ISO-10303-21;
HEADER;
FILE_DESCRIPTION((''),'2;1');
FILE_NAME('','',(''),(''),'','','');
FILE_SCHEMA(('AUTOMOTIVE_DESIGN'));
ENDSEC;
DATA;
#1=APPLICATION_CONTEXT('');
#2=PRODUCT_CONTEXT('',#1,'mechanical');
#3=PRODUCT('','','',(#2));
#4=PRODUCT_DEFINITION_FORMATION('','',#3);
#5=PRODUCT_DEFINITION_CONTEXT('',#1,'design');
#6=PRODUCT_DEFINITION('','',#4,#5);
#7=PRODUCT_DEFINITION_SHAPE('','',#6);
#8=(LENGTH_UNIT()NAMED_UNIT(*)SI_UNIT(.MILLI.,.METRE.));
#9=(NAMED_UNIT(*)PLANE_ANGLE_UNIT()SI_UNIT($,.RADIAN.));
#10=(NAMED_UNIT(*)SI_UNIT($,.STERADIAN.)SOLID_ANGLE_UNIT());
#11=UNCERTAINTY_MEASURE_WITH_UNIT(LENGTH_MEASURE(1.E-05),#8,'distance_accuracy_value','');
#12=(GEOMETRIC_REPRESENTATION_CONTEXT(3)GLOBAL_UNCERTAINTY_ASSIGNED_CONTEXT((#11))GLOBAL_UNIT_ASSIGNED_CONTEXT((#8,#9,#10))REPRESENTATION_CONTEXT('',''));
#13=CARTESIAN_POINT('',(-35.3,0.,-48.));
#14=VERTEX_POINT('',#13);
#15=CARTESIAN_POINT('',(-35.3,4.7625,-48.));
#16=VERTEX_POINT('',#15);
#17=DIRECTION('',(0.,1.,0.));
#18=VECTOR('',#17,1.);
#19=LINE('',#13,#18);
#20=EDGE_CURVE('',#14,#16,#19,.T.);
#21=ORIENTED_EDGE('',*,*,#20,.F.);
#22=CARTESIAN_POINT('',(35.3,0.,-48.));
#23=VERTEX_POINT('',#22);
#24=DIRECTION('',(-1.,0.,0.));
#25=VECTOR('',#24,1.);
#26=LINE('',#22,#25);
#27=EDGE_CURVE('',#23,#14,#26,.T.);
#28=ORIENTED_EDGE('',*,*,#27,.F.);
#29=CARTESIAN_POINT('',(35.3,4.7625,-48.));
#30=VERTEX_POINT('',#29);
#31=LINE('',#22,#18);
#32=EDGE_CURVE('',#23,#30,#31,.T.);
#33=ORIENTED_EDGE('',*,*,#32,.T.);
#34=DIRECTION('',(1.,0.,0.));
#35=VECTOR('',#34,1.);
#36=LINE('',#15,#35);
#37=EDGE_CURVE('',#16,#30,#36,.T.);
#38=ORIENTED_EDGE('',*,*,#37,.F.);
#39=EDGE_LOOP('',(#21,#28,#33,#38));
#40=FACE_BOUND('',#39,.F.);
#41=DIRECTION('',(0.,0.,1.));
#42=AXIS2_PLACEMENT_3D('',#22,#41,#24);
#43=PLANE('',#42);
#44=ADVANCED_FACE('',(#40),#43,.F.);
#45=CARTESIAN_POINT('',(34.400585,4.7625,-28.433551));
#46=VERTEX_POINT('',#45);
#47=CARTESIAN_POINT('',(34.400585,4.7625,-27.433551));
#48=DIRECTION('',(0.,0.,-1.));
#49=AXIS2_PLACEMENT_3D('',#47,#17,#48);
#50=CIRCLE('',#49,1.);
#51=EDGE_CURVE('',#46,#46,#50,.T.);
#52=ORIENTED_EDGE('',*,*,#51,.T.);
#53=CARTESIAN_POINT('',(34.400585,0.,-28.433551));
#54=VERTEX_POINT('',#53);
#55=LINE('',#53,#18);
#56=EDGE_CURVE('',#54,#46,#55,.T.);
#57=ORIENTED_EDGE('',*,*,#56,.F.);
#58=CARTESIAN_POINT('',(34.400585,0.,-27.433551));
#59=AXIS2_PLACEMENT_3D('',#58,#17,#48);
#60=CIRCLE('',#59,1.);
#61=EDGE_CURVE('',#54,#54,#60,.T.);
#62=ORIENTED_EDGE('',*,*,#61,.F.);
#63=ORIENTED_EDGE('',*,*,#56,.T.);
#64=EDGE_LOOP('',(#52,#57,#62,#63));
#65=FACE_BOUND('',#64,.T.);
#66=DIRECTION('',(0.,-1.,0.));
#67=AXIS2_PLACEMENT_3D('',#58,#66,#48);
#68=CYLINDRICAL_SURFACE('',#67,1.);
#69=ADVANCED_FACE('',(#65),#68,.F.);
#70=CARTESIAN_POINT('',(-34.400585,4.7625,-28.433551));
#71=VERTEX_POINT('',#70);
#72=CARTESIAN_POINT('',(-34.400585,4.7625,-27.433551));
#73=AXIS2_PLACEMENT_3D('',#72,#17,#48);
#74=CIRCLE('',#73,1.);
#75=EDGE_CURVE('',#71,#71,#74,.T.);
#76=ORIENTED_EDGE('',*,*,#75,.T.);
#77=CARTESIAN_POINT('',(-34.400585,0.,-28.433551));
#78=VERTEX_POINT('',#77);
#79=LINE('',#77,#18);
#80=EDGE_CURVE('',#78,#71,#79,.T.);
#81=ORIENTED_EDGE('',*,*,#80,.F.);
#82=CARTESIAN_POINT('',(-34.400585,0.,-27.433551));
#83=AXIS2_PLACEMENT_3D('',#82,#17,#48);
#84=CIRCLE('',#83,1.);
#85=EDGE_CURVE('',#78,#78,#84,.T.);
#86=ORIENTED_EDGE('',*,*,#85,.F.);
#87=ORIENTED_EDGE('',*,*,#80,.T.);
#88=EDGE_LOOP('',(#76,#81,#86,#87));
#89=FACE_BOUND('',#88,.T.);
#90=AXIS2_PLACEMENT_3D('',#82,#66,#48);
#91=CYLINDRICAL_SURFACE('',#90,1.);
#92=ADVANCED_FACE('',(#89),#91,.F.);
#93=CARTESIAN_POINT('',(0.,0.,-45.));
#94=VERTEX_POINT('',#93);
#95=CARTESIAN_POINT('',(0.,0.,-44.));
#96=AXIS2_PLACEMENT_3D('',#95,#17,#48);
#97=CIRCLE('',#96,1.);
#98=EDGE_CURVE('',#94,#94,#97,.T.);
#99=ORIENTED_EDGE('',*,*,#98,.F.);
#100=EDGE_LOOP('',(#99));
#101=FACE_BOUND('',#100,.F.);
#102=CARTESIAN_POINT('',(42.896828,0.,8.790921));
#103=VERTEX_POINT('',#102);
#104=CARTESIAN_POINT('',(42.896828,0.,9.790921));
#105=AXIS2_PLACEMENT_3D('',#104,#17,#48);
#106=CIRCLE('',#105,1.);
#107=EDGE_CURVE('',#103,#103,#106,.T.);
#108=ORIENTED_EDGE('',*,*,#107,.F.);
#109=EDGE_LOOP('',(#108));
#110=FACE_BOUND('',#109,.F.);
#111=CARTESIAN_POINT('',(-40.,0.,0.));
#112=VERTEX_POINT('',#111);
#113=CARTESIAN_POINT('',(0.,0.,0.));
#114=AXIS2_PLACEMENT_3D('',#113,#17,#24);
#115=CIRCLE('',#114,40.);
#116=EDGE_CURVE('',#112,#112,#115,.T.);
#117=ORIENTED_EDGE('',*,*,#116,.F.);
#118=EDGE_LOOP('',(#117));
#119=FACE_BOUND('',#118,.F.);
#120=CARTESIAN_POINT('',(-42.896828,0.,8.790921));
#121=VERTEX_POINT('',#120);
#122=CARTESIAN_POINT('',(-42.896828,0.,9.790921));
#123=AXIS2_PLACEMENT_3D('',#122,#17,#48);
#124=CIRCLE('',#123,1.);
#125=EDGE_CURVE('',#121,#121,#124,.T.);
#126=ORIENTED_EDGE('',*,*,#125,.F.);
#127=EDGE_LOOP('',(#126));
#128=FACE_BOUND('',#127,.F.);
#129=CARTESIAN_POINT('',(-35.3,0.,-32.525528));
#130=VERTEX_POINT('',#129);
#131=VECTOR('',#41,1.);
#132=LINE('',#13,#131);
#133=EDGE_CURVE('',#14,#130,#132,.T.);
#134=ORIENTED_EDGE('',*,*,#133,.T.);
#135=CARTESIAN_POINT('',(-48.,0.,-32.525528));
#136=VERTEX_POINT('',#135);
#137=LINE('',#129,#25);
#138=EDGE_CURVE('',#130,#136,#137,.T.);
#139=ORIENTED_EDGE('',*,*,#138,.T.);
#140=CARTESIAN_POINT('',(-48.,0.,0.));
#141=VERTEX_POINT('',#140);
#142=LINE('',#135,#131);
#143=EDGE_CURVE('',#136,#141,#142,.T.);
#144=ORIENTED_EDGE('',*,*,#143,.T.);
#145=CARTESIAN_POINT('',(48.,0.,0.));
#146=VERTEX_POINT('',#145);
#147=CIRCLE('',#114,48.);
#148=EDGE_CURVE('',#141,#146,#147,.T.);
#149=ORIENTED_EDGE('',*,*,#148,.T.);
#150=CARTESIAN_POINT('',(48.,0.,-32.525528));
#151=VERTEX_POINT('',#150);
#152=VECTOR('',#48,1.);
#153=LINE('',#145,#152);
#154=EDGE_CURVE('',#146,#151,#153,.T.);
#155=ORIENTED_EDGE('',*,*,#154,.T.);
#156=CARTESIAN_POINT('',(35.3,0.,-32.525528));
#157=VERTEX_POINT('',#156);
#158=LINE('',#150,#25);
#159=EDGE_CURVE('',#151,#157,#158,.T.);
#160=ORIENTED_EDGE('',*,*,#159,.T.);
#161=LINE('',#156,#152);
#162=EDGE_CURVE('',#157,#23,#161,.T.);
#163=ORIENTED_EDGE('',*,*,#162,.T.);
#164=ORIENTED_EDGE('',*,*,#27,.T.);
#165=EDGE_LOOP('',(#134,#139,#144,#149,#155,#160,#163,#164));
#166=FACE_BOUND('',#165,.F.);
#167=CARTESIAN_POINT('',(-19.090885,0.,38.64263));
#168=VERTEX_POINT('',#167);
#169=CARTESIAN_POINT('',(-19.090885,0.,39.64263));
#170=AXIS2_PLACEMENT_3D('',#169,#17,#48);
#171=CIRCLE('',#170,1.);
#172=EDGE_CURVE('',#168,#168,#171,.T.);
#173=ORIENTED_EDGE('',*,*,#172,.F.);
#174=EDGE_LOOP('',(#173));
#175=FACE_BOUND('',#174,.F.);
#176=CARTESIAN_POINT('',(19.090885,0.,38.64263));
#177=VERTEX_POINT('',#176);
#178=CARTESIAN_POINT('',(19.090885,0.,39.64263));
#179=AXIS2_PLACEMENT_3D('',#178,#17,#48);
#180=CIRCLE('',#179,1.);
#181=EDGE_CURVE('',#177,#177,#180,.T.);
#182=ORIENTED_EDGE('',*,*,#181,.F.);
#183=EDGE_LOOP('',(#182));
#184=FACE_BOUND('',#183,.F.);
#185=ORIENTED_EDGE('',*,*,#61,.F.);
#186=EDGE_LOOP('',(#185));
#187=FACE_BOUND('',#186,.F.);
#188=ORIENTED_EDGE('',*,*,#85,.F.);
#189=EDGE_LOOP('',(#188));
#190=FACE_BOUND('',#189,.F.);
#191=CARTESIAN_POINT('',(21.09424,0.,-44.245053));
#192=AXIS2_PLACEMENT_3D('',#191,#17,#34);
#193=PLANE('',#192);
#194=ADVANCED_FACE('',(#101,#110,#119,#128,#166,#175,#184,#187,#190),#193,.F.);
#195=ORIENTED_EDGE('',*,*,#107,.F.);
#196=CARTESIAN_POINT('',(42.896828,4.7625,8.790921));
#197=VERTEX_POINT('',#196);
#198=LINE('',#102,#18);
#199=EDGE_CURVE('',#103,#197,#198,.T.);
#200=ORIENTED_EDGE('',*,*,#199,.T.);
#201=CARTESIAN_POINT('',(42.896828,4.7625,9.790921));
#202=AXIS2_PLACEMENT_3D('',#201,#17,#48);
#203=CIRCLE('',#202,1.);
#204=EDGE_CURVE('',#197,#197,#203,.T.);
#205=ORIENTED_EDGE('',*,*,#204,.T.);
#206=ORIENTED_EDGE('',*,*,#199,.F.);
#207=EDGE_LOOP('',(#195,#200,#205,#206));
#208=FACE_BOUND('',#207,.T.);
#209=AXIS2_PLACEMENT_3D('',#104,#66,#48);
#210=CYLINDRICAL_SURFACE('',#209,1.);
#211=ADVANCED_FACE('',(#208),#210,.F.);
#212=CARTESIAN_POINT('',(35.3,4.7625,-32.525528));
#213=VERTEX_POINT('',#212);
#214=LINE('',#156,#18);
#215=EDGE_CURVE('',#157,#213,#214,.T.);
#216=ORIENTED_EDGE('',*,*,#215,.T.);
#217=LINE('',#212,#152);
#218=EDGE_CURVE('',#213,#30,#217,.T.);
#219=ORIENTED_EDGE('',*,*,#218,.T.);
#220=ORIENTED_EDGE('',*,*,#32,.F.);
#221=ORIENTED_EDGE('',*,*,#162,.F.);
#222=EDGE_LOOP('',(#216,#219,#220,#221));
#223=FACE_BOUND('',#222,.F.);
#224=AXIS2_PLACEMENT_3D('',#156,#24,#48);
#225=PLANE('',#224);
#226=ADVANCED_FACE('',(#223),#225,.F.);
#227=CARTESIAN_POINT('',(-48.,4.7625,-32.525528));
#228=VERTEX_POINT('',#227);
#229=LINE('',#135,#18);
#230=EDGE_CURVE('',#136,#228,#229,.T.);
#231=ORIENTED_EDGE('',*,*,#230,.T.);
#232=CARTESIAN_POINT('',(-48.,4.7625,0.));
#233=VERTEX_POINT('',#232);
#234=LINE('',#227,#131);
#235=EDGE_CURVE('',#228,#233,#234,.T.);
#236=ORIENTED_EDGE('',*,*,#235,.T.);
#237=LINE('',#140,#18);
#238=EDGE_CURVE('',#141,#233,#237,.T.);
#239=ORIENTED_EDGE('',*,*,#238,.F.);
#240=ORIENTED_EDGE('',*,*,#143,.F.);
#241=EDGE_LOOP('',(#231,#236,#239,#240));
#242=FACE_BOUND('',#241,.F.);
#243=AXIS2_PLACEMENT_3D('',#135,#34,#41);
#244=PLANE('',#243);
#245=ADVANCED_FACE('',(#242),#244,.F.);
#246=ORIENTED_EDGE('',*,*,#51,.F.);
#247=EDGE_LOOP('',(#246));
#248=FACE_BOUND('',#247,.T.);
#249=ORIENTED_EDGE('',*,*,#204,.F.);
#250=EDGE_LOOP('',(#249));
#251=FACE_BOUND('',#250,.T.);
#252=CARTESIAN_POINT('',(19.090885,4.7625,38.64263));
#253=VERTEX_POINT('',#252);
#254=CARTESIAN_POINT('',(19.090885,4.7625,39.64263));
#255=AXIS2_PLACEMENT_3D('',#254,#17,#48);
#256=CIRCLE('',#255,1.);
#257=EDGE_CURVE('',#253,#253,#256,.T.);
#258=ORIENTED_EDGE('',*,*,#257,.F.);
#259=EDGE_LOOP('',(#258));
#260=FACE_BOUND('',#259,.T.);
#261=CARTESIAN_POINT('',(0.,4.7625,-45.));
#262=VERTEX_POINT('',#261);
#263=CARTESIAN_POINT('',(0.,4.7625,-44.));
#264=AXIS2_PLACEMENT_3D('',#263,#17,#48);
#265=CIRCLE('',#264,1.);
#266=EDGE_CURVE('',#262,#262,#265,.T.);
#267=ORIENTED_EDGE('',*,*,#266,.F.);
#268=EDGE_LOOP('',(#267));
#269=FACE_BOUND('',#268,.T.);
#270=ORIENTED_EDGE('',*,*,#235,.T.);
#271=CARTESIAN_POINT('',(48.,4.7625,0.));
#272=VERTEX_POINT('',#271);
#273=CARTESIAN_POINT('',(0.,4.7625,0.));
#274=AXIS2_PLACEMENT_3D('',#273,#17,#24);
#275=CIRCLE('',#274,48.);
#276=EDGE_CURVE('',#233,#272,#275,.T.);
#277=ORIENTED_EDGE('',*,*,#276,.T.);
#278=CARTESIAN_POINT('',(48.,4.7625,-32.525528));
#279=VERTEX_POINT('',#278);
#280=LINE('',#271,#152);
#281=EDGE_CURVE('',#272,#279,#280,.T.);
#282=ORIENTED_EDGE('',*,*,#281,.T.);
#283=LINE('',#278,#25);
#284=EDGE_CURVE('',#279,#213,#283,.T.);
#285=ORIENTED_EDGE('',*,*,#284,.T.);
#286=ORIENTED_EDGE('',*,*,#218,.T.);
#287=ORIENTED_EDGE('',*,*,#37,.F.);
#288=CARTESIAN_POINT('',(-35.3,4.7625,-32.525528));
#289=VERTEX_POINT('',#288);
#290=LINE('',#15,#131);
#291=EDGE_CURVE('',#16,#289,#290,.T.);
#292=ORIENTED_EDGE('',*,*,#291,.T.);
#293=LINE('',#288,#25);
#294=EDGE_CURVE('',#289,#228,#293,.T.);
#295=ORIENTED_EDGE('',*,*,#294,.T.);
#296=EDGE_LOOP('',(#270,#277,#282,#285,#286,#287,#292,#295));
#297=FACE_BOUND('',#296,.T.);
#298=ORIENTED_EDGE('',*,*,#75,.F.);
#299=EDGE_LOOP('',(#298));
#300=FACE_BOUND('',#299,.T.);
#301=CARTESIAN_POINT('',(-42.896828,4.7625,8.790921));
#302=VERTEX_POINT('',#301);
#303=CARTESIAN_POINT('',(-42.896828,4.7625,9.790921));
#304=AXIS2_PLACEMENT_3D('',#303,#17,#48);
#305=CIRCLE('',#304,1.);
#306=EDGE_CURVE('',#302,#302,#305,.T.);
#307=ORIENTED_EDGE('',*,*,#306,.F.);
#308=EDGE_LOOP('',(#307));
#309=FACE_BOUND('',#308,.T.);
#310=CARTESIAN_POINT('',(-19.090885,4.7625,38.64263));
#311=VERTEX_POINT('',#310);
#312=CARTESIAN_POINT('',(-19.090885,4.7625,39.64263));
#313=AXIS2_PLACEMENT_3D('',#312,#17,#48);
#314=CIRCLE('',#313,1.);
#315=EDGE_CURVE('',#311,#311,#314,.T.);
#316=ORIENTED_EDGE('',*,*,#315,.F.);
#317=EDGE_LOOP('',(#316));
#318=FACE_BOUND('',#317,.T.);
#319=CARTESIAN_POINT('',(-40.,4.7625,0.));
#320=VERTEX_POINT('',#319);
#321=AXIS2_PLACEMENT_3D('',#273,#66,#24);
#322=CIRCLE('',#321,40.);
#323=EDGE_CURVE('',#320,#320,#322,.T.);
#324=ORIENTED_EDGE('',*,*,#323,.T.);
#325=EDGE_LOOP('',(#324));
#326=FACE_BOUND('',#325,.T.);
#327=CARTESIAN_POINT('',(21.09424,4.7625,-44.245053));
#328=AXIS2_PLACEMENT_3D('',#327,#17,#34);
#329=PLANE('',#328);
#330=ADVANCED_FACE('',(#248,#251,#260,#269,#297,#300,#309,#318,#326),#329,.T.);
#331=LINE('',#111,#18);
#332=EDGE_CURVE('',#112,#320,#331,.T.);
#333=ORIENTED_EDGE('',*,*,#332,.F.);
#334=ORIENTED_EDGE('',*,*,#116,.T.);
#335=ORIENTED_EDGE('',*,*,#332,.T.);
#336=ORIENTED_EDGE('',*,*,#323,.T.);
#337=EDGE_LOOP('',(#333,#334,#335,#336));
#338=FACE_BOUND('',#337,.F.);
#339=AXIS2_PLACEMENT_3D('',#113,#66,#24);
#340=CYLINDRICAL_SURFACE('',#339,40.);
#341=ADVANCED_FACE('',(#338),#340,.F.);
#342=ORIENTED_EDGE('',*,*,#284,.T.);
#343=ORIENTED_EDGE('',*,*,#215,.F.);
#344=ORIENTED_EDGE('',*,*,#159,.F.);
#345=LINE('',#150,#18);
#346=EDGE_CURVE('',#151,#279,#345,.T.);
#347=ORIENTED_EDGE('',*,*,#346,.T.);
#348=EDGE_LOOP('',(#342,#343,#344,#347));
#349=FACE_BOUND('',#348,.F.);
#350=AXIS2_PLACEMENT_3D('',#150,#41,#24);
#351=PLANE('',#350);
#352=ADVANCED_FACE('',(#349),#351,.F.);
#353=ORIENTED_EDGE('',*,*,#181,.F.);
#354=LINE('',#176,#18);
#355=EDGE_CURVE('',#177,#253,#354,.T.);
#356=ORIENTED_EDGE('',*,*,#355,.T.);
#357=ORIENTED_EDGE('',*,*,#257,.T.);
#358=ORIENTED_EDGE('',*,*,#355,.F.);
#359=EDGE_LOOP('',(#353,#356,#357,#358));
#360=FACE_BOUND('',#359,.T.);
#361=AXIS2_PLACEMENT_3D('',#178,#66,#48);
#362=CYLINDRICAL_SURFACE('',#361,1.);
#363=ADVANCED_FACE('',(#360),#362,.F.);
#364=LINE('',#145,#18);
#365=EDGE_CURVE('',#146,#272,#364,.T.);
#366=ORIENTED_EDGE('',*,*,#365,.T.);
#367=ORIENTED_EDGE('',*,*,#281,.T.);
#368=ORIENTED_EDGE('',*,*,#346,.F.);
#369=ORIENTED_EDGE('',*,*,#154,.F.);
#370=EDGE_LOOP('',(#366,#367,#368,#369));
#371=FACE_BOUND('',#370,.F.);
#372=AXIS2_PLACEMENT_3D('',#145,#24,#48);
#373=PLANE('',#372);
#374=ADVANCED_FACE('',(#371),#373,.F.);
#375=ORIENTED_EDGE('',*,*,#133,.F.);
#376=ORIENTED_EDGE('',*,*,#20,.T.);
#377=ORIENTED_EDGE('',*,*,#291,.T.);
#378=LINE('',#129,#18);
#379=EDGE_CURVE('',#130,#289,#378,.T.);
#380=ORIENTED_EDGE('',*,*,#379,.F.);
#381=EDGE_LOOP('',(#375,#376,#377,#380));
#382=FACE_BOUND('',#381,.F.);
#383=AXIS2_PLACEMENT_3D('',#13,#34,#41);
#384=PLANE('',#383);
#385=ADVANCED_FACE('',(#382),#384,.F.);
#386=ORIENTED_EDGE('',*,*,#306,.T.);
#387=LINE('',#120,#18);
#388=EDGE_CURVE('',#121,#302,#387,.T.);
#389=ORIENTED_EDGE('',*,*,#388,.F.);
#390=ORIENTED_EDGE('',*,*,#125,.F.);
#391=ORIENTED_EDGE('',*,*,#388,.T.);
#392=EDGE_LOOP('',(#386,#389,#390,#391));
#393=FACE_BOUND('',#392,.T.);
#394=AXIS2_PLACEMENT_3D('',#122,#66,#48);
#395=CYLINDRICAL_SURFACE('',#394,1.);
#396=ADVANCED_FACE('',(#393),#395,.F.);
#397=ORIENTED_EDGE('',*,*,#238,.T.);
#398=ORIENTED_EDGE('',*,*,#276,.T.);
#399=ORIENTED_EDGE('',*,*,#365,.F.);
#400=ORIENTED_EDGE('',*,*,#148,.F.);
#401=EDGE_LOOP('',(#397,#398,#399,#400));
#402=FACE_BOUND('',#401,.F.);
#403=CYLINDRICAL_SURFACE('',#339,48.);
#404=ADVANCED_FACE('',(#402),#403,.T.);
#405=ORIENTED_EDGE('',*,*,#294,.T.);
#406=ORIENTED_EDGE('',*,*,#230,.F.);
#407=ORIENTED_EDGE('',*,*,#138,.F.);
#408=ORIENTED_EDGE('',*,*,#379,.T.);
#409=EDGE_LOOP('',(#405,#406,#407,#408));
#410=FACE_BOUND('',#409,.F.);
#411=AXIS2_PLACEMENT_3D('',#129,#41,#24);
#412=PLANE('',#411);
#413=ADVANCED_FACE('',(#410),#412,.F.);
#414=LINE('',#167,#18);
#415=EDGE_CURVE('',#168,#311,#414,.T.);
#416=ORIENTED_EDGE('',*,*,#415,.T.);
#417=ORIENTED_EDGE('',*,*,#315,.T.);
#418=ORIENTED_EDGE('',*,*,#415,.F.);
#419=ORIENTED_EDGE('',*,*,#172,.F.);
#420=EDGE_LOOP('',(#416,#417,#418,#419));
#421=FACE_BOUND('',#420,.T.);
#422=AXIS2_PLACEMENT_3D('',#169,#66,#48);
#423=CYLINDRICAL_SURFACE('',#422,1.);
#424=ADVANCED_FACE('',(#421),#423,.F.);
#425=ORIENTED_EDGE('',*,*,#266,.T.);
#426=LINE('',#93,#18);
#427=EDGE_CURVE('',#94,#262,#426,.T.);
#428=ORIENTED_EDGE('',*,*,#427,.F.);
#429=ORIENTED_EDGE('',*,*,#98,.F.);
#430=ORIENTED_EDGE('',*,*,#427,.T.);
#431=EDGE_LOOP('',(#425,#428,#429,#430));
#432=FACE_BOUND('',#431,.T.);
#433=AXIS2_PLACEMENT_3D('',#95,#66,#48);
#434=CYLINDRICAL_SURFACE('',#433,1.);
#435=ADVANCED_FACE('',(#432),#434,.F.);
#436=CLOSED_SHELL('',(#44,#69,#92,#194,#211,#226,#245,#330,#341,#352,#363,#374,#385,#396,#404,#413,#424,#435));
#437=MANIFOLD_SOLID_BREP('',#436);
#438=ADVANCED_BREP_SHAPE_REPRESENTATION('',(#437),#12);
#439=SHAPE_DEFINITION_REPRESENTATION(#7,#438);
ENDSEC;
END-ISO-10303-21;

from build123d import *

# Parameters (mm, degrees)
SKETCH1_R           = 40
SKETCH1_R_2         = 1
BOSS_EXTRUDE1_DEPTH = 4.7625


with BuildPart() as part:
    # Sketch1 → Boss-Extrude1 (new body)
    with BuildSketch(Plane(origin=(0, 0, 0), x_dir=(1, 0, 0), z_dir=(0, 1, 0))):
        with BuildLine():
            Line((-35.3, 48), (-35.3, 32.525528435))
            Line((-35.3, 32.525528435), (-48, 32.525528435))
            Line((-48, 32.525528435), (-48, 0))
            ThreePointArc((-48, 0), (0, -48), (48, 0))
            Line((48, 0), (48, 32.525528435))
            Line((48, 32.525528435), (35.3, 32.525528435))
            Line((35.3, 32.525528435), (35.3, 48))
            Line((35.3, 48), (-35.3, 48))
        make_face()
        Circle(SKETCH1_R, mode=Mode.SUBTRACT)
        with Locations((34.400585229, 27.433551282)):
            Circle(SKETCH1_R_2, mode=Mode.SUBTRACT)
        with Locations((-34.400585229, 27.433551282)):
            Circle(SKETCH1_R_2, mode=Mode.SUBTRACT)
        with Locations((0, 44)):
            Circle(SKETCH1_R_2, mode=Mode.SUBTRACT)
        with Locations((19.090884521, -39.642630188)):
            Circle(SKETCH1_R_2, mode=Mode.SUBTRACT)
        with Locations((42.896828136, -9.790921094)):
            Circle(SKETCH1_R_2, mode=Mode.SUBTRACT)
        with Locations((-19.090884521, -39.642630188)):
            Circle(SKETCH1_R_2, mode=Mode.SUBTRACT)
        with Locations((-42.896828136, -9.790921094)):
            Circle(SKETCH1_R_2, mode=Mode.SUBTRACT)
    extrude(amount=BOSS_EXTRUDE1_DEPTH)


solid = part.part
